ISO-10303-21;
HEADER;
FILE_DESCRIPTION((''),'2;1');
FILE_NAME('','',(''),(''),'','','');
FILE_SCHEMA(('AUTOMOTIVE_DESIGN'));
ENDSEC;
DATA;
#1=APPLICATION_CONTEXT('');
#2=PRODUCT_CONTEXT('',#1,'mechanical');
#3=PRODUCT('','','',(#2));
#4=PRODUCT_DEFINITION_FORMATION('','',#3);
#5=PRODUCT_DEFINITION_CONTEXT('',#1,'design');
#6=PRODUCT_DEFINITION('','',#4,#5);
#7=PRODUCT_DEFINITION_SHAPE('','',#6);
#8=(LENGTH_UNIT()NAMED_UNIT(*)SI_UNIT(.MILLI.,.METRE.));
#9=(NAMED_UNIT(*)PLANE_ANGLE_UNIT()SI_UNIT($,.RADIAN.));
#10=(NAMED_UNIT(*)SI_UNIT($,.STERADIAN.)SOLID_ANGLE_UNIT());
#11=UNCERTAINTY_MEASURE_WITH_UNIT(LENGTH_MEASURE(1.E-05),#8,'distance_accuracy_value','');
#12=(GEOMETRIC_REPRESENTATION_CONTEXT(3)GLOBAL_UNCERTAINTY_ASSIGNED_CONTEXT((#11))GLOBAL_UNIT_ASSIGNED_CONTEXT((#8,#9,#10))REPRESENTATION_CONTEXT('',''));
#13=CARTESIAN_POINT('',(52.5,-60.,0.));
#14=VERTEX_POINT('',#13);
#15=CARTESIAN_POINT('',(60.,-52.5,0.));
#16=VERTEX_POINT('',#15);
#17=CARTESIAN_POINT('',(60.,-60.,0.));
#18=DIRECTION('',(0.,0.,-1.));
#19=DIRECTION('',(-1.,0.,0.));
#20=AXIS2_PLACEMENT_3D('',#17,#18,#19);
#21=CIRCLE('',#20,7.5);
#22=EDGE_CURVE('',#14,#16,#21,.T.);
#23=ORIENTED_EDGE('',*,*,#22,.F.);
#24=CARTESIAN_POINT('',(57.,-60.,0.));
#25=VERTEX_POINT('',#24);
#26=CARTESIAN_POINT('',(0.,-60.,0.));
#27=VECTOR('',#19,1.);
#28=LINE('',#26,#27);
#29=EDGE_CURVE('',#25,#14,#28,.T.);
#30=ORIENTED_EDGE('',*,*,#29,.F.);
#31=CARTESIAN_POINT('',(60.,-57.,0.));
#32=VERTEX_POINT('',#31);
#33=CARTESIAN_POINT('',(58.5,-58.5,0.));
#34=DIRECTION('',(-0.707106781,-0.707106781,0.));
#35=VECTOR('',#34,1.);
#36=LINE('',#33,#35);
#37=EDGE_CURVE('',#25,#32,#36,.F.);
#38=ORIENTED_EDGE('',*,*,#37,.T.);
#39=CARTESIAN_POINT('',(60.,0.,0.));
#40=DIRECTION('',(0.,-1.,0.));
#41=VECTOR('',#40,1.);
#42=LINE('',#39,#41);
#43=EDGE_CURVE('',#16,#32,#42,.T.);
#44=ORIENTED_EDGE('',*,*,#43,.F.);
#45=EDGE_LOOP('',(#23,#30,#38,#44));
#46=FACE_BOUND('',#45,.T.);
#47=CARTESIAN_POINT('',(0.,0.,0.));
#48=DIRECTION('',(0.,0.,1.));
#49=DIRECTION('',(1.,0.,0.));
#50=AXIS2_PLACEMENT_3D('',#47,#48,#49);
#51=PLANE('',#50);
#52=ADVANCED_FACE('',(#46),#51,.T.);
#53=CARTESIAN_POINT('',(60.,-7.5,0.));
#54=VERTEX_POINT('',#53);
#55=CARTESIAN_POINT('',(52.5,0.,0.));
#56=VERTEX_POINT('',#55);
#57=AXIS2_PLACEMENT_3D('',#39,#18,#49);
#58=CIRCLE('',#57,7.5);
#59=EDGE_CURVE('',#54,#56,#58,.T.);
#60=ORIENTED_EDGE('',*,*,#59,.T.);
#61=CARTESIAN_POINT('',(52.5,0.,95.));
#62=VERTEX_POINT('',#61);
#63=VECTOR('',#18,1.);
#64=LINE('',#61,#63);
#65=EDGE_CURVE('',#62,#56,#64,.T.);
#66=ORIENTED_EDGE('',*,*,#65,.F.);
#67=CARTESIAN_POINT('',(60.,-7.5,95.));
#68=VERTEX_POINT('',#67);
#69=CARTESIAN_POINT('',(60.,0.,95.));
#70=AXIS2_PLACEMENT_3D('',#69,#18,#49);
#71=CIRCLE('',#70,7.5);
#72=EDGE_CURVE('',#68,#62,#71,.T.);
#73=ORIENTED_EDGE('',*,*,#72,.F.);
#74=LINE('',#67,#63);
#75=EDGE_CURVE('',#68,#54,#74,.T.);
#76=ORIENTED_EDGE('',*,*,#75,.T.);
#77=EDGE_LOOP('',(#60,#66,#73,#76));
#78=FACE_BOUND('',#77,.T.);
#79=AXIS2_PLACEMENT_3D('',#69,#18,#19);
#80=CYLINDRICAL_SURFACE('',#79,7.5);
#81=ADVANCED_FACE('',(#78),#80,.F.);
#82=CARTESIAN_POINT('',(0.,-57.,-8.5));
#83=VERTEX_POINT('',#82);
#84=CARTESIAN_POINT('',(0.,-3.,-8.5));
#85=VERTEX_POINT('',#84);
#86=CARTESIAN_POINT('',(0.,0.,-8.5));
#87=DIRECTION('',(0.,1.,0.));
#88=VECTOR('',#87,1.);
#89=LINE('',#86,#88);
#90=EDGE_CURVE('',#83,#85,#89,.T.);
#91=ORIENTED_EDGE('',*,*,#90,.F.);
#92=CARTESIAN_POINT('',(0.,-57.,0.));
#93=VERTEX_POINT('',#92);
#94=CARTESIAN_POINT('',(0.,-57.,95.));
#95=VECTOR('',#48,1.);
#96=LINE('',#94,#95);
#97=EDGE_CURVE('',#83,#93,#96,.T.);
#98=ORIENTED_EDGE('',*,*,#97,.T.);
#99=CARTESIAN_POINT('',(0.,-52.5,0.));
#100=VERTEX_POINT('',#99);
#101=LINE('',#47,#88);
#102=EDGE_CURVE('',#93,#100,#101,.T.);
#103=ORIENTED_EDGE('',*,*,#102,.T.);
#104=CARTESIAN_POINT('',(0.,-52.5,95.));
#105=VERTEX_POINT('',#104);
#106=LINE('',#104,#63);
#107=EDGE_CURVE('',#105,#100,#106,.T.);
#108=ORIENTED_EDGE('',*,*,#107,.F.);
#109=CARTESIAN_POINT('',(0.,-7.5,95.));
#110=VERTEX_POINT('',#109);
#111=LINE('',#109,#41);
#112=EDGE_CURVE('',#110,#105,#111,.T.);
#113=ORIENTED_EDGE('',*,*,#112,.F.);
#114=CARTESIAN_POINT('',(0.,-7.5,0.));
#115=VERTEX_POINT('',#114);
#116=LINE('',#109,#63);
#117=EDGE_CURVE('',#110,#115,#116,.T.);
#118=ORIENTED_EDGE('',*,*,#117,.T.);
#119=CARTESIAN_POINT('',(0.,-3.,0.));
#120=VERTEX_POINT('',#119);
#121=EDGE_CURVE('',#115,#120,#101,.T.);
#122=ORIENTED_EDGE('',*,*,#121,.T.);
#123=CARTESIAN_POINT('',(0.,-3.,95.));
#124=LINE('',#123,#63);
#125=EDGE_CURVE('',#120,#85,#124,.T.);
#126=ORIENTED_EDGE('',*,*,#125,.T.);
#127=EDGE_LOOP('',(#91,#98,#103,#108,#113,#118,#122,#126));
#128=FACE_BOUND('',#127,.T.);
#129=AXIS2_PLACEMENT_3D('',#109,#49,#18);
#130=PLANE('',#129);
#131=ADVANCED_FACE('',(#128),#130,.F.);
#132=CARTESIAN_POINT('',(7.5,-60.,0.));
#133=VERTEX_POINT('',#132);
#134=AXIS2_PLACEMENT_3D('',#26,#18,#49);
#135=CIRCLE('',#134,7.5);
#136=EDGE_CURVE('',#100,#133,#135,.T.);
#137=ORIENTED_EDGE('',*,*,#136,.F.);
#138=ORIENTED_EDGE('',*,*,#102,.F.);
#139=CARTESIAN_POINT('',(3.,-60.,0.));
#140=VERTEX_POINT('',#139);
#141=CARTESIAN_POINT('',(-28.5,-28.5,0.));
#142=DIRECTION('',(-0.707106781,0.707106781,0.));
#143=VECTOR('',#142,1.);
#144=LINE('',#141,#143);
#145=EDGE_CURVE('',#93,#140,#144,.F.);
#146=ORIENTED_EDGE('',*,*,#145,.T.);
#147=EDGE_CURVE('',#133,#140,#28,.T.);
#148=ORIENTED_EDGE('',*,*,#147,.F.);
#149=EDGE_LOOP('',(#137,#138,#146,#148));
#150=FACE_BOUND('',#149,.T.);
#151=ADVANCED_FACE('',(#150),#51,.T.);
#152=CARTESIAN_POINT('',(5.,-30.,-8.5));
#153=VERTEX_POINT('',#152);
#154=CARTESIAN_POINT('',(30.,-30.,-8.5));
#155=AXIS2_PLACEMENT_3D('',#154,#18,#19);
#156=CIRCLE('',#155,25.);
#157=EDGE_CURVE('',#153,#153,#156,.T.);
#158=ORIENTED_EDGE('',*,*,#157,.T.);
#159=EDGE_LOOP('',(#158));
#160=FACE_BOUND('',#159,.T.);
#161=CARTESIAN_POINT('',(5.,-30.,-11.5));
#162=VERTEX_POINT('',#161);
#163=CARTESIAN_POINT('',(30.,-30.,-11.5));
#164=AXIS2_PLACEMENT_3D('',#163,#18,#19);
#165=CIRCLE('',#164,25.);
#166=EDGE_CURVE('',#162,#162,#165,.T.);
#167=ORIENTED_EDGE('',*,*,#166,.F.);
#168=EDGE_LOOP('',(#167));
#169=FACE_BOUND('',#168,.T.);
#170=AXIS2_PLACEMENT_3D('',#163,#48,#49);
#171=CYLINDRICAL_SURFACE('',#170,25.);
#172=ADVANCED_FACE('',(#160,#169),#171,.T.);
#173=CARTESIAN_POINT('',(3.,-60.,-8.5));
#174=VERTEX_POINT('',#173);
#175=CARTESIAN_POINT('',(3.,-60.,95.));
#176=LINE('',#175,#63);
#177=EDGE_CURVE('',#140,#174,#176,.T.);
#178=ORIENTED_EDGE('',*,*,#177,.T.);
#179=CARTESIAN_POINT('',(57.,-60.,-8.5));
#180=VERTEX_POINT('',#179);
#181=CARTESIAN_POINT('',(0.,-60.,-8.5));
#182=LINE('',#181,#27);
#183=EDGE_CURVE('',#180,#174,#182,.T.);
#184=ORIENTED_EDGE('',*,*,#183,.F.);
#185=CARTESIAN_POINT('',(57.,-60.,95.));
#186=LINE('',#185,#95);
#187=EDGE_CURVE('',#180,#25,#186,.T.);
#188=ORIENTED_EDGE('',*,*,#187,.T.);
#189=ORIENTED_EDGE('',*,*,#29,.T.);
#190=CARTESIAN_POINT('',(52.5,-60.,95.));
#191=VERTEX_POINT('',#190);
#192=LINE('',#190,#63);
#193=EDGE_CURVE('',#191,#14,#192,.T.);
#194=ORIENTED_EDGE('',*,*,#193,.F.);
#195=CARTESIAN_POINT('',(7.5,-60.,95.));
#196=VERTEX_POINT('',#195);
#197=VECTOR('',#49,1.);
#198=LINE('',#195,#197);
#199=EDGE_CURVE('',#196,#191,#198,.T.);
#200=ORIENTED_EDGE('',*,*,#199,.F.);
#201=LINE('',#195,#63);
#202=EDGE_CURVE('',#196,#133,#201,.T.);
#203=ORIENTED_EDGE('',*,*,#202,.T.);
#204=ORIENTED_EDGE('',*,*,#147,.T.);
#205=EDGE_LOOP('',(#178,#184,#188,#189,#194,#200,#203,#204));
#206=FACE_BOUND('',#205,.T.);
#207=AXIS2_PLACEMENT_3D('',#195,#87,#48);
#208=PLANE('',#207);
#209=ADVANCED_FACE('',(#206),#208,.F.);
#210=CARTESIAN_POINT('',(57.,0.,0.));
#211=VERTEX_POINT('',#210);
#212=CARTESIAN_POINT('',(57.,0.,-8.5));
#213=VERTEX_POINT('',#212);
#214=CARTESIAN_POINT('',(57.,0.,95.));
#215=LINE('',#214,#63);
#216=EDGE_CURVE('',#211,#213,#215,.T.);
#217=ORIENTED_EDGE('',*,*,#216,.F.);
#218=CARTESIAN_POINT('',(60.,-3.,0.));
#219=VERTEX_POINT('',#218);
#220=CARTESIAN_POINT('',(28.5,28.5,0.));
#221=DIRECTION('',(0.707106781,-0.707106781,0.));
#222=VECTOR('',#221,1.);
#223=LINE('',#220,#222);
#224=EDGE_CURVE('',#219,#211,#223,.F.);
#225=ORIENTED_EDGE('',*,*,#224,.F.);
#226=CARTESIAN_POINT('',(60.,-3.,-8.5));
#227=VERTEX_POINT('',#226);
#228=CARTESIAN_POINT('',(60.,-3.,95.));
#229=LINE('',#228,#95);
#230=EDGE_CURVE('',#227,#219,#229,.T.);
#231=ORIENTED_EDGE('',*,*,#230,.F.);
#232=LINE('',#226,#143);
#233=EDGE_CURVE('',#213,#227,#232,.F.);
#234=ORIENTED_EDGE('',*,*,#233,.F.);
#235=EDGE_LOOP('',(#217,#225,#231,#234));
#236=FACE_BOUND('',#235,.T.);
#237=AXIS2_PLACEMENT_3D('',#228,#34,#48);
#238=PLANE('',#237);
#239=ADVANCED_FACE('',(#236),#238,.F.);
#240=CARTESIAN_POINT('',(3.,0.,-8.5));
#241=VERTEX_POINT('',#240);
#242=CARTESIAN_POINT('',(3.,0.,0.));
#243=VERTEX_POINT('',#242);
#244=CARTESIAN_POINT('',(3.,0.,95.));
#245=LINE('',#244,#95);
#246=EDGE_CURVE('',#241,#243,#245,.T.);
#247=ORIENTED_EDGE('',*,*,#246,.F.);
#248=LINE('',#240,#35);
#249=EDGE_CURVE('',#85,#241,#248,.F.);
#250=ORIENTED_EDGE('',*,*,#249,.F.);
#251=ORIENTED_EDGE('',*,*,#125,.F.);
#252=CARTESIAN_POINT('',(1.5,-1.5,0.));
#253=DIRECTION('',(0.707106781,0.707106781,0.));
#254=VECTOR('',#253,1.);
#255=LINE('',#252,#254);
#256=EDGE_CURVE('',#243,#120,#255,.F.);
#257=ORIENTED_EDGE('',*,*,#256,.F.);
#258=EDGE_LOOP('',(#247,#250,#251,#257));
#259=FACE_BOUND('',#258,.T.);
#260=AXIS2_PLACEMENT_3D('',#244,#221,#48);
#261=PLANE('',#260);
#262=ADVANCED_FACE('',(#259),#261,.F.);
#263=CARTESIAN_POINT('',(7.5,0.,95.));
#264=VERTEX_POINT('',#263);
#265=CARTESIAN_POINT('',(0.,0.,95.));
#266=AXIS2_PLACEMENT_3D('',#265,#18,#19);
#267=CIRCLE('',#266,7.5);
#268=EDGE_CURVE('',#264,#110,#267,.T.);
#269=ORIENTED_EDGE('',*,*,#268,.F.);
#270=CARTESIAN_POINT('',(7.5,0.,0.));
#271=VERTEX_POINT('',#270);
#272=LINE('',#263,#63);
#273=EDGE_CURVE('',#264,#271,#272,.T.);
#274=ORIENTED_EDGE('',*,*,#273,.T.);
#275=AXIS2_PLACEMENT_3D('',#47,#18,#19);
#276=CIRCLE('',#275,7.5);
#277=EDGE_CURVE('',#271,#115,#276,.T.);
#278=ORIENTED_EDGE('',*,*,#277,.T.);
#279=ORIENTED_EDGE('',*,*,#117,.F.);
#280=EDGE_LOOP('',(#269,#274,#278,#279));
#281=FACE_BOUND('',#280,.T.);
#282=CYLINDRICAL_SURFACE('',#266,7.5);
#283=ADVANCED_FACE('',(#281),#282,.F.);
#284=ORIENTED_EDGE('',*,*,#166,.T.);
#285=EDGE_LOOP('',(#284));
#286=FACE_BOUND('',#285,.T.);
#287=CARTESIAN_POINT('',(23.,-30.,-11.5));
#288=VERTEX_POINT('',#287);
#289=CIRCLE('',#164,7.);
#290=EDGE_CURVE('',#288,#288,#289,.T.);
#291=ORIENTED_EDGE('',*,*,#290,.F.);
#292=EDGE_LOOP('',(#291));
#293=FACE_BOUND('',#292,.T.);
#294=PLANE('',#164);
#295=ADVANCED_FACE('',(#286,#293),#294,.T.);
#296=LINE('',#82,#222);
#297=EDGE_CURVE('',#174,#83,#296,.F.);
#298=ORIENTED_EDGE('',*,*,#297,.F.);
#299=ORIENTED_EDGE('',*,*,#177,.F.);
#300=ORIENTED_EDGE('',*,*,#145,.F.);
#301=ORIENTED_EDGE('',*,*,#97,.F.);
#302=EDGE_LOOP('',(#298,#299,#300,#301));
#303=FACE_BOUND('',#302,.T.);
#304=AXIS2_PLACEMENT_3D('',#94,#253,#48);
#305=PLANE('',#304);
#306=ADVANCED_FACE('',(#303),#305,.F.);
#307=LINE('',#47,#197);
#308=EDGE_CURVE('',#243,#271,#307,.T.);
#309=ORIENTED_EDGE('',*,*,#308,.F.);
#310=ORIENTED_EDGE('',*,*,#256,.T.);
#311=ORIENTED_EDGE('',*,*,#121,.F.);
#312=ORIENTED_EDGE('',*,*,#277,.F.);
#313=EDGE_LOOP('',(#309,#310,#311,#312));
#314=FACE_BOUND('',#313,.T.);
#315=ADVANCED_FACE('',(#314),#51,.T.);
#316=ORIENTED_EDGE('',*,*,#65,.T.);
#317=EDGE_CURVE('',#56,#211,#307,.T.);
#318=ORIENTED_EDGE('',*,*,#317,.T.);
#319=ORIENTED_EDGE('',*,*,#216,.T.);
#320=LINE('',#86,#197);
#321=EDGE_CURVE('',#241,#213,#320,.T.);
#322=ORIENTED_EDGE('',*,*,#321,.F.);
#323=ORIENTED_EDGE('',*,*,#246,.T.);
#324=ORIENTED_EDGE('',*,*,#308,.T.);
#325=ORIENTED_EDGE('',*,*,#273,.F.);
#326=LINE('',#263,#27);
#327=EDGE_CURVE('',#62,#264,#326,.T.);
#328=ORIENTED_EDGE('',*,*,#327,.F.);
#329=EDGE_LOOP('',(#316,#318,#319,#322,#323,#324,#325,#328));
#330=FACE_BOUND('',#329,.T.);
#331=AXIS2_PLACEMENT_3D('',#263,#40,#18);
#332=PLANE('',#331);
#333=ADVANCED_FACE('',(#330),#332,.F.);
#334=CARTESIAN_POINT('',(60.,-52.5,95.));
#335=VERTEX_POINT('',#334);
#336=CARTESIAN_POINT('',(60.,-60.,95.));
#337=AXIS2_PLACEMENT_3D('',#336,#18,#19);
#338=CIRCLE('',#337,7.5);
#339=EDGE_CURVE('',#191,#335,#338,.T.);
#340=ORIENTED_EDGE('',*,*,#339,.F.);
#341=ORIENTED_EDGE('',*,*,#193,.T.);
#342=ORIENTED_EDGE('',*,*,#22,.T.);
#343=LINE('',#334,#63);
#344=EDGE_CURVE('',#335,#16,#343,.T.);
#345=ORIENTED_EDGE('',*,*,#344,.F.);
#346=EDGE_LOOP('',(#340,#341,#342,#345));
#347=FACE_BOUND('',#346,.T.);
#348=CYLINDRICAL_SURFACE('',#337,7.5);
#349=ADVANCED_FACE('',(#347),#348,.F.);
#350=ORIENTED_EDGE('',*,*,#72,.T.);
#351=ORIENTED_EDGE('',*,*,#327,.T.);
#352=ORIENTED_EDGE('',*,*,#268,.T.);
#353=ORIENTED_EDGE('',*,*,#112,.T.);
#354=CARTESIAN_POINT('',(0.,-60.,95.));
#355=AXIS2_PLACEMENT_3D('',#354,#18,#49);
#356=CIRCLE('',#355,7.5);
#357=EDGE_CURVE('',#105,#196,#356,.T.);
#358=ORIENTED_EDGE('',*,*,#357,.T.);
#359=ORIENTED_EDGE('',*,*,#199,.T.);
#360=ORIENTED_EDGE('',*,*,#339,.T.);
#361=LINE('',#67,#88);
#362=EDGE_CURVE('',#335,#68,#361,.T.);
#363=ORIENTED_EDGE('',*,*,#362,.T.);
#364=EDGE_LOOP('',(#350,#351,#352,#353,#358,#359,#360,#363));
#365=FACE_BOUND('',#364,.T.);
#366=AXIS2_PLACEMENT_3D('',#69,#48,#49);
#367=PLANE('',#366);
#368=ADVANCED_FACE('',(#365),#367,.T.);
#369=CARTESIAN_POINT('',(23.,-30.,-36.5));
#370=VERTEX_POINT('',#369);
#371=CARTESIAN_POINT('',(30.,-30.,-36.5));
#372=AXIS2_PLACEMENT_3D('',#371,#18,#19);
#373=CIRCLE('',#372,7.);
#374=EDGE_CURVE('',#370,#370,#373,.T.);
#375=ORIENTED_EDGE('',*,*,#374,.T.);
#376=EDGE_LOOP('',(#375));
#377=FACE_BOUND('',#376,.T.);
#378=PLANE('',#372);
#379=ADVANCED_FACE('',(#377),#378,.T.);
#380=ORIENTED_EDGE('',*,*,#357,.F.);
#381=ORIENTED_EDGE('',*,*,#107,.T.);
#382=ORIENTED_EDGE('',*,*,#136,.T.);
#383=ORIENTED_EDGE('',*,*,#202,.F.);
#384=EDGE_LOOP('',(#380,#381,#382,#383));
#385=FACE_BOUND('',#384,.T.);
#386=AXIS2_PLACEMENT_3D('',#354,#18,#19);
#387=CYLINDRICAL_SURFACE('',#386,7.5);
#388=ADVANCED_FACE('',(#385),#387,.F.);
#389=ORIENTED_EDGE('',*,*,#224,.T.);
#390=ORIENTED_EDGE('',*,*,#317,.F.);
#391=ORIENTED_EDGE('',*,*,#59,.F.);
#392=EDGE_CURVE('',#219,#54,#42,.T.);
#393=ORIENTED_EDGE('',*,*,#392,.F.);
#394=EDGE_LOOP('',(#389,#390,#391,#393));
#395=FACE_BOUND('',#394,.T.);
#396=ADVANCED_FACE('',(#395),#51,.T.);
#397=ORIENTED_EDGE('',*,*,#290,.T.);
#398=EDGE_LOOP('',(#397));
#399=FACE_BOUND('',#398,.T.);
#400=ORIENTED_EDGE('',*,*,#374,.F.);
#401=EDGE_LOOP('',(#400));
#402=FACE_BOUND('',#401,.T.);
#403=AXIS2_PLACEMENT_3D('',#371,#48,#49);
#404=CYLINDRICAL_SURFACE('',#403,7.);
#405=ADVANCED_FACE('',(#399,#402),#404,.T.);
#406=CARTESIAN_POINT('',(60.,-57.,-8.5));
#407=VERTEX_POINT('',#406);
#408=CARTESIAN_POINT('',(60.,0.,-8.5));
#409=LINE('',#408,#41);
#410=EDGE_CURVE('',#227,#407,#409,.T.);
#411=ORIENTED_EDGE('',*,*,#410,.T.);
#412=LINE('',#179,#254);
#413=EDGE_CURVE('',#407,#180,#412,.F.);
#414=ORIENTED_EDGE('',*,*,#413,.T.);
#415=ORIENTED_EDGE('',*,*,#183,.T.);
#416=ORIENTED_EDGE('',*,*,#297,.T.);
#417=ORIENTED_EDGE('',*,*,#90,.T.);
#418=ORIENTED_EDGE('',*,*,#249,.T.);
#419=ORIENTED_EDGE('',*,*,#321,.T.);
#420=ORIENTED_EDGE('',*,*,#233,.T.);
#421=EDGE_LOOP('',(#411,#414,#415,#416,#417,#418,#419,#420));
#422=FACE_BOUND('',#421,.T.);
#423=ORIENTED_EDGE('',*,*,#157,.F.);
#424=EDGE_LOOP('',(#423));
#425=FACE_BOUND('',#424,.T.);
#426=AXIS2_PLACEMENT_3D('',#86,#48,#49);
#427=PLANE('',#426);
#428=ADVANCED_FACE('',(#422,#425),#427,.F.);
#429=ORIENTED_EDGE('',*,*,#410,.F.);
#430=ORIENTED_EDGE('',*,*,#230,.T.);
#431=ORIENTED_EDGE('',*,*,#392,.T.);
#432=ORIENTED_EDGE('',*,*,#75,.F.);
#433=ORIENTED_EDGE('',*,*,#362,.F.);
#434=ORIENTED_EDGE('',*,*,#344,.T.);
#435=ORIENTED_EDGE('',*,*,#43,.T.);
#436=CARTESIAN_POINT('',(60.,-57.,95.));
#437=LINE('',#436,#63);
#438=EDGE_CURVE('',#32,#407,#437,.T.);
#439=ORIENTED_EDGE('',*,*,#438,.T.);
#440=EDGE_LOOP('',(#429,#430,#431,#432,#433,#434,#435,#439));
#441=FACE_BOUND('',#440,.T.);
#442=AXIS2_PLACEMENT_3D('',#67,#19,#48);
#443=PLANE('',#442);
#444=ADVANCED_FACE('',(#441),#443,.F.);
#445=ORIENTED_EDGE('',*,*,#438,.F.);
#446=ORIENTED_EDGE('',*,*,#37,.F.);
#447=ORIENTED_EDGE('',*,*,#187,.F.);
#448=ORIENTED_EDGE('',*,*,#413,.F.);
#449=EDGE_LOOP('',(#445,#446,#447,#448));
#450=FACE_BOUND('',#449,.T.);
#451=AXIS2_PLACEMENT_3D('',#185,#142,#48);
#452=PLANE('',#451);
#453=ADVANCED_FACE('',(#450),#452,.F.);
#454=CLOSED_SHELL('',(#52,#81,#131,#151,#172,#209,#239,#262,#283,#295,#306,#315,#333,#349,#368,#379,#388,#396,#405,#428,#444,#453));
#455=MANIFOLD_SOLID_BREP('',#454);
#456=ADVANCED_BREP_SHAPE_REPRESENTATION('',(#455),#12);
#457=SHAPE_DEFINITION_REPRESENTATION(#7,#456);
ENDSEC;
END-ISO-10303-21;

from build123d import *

# Parameters (mm, degrees)
EXTRUDE_1_DEPTH = 95
SKETCH_3_W      = 60
SKETCH_3_H      = 60
EXTRUDE_3_DEPTH = 8.5
SKETCH_5_R      = 25
EXTRUDE_5_DEPTH = 3
SKETCH_7_R      = 7
EXTRUDE_6_DEPTH = 25
CHAMFER_1_SIZE  = 3


with BuildPart() as part:
    # 草图1 → 凸台-拉伸1 (new body)
    with BuildSketch(Plane.XY):
        with BuildLine():
            Line((7.5, 0), (52.5, 0))
            ThreePointArc((52.5, 0), (54.696699141, -5.303300859), (60, -7.5))
            Line((60, -7.5), (60, -52.5))
            ThreePointArc((60, -52.5), (54.696699141, -54.696699141), (52.5, -60))
            Line((52.5, -60), (7.5, -60))
            ThreePointArc((7.5, -60), (5.303300859, -54.696699141), (0, -52.5))
            Line((0, -52.5), (0, -7.5))
            ThreePointArc((0, -7.5), (5.303300859, -5.303300859), (7.5, 0))
        make_face()
    extrude(amount=EXTRUDE_1_DEPTH)

    # 草图3 → 凸台-拉伸3 (add)
    with BuildSketch(Plane(origin=(0, 0, 0), x_dir=(-1, 0, 0), z_dir=(0, 0, -1))):
        with Locations((-30, -30)):
            Rectangle(SKETCH_3_W, SKETCH_3_H)
    extrude(amount=EXTRUDE_3_DEPTH)

    # 草图5 → 凸台-拉伸5 (add)
    with BuildSketch(Plane(origin=(0, 0, -8.5), x_dir=(-1, 0, 0), z_dir=(0, 0, -1))):
        with Locations((-30, -30)):
            Circle(SKETCH_5_R)
    extrude(amount=EXTRUDE_5_DEPTH)

    # 草图7 → 凸台-拉伸6 (add)
    with BuildSketch(Plane(origin=(0, 0, -11.5), x_dir=(-1, 0, 0), z_dir=(0, 0, -1))):
        with Locations((-30, -30)):
            Circle(SKETCH_7_R)
    extrude(amount=EXTRUDE_6_DEPTH)

    # 倒角1
    chamfer_1_edges = [part.edges().sort_by_distance(p)[0] for p in [
        (0, -60, -4.25),
        (0, 0, -4.25),
        (60, 0, -4.25),
        (60, -60, -4.25),
    ]]
    chamfer(chamfer_1_edges, length=CHAMFER_1_SIZE)


solid = part.part
